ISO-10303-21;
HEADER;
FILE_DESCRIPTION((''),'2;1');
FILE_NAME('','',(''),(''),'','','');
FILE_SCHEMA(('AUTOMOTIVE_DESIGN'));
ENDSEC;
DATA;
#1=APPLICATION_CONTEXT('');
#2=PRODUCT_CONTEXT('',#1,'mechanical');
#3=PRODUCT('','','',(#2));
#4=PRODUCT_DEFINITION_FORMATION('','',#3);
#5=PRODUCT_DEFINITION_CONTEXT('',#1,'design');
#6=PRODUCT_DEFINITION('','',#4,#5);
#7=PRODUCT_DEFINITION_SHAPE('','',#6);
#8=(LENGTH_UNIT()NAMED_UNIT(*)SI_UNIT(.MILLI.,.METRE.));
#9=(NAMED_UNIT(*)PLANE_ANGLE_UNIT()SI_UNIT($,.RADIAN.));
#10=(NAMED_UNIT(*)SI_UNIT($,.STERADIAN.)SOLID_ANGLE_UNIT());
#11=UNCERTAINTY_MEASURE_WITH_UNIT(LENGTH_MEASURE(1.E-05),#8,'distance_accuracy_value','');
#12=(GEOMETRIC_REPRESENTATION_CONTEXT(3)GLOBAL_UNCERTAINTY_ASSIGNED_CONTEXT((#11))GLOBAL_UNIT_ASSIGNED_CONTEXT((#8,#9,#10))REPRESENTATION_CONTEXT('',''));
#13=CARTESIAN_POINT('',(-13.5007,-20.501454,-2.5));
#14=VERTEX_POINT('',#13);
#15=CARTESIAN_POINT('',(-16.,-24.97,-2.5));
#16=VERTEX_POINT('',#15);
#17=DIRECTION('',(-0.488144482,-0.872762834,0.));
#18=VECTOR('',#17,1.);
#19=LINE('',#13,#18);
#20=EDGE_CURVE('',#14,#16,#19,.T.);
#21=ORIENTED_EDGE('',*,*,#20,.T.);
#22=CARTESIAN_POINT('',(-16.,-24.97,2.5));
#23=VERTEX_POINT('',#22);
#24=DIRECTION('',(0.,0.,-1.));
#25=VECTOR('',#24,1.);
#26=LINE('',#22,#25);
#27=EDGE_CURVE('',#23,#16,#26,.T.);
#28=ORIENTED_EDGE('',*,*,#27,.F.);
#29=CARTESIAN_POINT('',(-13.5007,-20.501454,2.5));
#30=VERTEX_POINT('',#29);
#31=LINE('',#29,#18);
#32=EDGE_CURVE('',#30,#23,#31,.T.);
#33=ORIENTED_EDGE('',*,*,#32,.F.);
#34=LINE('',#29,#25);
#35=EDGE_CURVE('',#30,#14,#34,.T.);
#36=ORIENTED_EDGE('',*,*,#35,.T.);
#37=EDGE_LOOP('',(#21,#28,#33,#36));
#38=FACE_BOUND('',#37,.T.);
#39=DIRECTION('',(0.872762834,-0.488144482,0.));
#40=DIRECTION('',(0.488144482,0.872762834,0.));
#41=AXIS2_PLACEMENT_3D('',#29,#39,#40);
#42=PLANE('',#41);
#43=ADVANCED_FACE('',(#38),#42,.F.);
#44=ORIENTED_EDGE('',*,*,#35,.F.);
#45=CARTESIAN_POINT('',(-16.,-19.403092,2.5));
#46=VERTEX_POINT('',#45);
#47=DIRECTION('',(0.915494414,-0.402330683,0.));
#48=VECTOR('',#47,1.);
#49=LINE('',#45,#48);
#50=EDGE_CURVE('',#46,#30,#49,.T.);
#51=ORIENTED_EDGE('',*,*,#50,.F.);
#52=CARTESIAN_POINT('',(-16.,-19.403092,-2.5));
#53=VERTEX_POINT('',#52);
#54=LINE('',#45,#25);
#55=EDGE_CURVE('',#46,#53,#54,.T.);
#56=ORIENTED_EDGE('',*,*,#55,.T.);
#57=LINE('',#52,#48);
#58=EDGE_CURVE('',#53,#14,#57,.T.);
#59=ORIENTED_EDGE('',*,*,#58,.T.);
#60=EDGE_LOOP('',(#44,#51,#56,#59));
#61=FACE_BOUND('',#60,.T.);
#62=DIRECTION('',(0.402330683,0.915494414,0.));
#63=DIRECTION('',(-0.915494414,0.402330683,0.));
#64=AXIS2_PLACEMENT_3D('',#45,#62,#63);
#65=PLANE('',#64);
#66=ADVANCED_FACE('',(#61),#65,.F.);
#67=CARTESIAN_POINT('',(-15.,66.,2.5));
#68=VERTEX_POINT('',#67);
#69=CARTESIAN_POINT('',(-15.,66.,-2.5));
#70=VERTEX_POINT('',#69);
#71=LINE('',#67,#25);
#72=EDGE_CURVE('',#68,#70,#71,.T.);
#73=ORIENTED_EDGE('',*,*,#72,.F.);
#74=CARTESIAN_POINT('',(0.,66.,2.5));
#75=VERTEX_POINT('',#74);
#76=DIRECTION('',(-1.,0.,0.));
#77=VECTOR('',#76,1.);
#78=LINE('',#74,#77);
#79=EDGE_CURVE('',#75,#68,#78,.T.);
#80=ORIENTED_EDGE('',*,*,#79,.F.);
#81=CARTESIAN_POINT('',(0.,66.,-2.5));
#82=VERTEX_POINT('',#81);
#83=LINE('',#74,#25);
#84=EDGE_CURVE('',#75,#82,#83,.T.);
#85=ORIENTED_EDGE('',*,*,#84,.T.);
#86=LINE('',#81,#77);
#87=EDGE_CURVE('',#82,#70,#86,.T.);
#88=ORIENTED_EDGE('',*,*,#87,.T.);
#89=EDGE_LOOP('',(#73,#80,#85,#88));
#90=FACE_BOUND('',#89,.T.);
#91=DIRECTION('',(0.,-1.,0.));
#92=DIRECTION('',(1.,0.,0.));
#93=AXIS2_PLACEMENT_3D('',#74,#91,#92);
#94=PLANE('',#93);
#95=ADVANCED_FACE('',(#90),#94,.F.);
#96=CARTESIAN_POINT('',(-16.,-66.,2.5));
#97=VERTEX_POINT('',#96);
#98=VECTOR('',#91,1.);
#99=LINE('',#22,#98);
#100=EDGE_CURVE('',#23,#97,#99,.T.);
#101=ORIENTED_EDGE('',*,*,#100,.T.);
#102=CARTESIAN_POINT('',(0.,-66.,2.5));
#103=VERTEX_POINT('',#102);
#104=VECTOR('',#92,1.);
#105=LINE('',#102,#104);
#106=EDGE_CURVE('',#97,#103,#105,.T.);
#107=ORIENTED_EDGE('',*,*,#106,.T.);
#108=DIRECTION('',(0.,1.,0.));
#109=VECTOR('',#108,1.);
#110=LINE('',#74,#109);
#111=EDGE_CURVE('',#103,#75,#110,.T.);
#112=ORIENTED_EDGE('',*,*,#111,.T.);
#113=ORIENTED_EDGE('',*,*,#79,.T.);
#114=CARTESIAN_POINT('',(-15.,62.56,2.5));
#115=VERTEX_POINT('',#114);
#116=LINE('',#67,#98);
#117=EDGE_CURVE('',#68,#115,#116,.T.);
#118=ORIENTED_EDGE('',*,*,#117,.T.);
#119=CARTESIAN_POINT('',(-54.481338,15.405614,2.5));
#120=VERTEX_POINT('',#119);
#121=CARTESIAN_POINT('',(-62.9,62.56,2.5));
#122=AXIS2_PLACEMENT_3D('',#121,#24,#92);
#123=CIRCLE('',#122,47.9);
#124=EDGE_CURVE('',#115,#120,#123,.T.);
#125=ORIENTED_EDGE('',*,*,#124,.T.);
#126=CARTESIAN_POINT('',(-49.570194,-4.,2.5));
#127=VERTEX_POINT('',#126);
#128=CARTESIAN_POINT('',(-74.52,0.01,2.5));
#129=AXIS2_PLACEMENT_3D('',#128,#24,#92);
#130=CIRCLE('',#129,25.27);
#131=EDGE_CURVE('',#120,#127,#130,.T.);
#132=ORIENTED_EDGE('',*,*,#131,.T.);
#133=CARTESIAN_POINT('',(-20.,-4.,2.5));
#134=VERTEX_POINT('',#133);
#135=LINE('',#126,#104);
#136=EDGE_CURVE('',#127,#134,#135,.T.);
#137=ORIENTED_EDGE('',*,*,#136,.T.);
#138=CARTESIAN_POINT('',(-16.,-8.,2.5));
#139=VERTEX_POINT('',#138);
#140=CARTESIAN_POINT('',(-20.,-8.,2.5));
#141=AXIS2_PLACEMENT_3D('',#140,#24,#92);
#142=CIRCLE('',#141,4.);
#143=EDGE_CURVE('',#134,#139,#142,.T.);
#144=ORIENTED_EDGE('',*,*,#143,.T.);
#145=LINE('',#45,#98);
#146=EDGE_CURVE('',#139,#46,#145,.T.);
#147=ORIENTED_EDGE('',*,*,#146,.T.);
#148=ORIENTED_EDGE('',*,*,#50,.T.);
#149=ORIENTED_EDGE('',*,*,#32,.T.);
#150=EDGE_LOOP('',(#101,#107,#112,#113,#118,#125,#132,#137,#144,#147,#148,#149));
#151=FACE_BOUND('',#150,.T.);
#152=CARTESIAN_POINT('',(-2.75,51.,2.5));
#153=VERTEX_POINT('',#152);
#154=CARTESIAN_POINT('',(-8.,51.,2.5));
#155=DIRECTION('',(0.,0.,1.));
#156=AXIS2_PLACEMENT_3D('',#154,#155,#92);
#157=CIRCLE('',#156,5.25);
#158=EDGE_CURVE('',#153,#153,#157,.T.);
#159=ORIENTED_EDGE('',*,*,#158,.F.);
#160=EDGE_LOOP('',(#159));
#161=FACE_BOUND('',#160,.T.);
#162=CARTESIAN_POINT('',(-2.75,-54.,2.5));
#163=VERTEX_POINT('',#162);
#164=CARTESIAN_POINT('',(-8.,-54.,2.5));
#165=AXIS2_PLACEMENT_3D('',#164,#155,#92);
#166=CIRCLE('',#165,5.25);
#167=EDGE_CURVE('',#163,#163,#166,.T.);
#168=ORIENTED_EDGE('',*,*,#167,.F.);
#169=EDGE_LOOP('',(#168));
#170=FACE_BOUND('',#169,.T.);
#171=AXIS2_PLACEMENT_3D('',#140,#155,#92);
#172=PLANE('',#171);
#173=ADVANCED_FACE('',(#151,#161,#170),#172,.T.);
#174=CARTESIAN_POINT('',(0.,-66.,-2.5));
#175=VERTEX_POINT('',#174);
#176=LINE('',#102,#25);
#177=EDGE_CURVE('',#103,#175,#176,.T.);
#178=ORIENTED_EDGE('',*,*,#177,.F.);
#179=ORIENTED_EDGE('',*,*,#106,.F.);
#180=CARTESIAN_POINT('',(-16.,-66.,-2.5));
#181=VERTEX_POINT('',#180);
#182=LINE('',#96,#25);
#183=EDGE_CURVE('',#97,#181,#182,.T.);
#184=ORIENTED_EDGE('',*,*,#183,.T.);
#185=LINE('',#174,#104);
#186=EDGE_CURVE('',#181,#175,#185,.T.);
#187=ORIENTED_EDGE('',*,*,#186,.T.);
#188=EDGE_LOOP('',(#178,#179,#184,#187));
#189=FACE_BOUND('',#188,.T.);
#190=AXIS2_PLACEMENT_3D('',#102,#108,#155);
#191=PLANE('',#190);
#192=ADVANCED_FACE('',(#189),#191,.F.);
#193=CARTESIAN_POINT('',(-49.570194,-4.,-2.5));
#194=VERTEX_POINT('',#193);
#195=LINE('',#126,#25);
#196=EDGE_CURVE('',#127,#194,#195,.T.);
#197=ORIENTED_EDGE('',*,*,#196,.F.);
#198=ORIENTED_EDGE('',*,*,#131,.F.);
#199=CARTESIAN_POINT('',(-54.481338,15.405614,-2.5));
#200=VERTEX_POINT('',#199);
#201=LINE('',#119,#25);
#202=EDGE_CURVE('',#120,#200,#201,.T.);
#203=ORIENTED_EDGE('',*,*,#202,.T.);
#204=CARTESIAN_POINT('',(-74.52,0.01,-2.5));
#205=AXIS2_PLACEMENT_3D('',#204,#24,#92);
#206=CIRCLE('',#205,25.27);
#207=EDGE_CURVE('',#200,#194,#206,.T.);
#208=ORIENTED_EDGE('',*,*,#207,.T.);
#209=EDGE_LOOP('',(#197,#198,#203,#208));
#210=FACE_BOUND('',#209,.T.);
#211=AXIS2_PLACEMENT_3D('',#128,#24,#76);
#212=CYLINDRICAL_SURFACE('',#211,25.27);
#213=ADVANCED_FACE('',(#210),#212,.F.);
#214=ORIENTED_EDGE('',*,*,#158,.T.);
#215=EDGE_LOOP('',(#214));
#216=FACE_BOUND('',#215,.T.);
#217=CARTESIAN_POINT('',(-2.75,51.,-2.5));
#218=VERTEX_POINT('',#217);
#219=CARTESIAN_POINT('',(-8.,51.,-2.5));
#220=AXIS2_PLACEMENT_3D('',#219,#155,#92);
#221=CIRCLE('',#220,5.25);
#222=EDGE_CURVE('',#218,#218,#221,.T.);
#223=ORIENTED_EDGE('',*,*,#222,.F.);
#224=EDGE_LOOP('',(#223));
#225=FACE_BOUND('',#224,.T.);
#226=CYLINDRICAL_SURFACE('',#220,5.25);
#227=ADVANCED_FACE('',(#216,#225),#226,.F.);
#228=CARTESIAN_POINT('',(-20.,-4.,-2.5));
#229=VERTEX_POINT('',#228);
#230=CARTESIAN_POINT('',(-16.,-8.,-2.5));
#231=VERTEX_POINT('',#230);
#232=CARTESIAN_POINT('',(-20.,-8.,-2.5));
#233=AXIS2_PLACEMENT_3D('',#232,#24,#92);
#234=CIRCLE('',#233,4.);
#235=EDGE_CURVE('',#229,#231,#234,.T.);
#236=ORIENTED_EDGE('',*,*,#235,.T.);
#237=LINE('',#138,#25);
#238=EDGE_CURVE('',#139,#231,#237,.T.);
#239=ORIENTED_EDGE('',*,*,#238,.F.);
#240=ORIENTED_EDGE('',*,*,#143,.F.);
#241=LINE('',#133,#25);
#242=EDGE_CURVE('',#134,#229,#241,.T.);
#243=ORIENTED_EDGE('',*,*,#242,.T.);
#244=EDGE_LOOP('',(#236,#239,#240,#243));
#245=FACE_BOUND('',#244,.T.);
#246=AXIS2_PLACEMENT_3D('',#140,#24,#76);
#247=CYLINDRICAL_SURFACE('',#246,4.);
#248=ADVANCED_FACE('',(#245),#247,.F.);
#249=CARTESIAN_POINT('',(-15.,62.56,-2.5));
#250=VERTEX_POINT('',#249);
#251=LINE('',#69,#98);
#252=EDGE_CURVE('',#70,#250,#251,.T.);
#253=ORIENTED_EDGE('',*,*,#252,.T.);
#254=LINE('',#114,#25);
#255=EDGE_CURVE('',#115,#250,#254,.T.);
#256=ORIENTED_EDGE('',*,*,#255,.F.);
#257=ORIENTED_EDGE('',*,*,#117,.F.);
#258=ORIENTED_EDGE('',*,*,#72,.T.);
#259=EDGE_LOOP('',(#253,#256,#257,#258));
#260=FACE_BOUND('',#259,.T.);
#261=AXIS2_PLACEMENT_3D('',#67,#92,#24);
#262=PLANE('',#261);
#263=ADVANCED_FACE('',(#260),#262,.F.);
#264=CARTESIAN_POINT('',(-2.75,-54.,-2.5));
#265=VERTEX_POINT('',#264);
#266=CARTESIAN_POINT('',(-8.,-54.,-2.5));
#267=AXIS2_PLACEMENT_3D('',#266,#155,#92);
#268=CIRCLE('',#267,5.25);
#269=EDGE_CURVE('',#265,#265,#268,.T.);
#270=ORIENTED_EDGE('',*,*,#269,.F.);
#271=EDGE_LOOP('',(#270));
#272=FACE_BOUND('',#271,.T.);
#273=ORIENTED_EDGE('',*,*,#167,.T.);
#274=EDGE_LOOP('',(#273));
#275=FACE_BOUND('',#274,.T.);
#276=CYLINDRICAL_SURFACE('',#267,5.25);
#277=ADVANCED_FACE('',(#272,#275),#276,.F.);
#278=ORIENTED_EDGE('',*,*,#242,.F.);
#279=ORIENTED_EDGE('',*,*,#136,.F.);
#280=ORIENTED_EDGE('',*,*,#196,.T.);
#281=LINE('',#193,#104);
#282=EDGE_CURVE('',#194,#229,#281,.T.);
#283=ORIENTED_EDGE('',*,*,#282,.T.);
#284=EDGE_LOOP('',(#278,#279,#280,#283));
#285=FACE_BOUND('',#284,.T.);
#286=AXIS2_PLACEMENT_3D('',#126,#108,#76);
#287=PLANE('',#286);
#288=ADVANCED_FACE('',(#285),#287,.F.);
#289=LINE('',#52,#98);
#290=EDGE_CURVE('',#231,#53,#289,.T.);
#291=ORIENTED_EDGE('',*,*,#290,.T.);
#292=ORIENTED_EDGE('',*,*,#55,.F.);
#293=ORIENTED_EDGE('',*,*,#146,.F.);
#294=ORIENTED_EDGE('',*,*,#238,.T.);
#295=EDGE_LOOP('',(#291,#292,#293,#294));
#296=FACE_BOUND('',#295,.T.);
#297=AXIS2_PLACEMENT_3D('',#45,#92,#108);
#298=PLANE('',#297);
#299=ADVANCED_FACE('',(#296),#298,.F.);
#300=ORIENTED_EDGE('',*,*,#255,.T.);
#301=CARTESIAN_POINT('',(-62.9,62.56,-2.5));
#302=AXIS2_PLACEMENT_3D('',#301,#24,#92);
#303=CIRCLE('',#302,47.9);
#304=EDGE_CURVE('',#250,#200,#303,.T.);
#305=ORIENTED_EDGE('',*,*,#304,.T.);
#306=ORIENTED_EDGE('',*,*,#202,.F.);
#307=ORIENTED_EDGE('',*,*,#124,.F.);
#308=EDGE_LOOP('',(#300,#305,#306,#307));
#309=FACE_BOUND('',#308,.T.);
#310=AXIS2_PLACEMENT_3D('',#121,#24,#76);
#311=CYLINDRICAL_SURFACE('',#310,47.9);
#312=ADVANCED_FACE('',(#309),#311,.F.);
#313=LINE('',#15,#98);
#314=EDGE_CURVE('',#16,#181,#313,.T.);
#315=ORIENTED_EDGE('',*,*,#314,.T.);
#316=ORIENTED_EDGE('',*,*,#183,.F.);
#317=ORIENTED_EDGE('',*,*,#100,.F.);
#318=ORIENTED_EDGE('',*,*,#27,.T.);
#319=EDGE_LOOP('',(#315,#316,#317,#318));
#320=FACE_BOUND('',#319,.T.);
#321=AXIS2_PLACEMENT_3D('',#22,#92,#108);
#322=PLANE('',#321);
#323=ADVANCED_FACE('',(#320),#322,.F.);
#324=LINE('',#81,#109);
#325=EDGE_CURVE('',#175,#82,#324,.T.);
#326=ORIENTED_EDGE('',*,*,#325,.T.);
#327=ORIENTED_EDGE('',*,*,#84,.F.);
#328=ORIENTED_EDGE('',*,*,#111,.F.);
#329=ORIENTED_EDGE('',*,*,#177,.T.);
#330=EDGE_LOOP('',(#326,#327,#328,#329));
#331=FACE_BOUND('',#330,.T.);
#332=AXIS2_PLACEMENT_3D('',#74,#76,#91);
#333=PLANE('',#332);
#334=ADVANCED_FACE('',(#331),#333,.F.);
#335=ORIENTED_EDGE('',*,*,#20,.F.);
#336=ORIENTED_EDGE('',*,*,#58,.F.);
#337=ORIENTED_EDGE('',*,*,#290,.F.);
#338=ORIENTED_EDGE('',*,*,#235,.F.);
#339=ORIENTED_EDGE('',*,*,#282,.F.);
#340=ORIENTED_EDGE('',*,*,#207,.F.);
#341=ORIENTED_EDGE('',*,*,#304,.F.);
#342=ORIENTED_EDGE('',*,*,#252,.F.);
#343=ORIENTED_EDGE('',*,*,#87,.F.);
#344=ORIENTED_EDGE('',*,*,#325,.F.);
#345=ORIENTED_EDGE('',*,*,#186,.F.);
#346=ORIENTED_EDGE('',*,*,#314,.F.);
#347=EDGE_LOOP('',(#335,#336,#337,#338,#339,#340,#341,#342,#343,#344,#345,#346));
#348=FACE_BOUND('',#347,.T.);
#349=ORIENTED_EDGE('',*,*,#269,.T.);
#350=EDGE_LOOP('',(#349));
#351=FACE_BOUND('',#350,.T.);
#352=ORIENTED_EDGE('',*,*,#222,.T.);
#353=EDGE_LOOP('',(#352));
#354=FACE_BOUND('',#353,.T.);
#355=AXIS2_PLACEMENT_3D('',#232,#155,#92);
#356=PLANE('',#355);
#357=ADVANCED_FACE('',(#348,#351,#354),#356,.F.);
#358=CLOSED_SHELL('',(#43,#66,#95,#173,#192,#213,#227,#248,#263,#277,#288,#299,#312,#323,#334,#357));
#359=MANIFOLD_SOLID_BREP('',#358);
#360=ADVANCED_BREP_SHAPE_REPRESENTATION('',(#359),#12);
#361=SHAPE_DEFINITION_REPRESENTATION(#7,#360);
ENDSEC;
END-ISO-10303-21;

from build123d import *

# Parameters (mm, degrees)
BOSS_EXTRUDE1_DEPTH = 2.5
SKETCH2_R           = 5.25
CUT_EXTRUDE1_DEPTH  = 86.727569626


with BuildPart() as part:
    # Sketch1 → Boss-Extrude1 (new, symmetric)
    with BuildSketch(Plane.XY):
        with BuildLine():
            Line((-49.57019439, -4), (-20, -4))
            ThreePointArc((-20, -4), (-17.171572875, -5.171572875), (-16, -8))
            Line((-16, -8), (-16, -19.403091525))
            Line((-16, -19.403091525), (-13.500700251, -20.50145429))
            Line((-13.500700251, -20.50145429), (-16, -24.97))
            Line((-16, -24.97), (-16, -66))
            Line((-16, -66), (0, -66))
            Line((0, -66), (0, 66))
            Line((0, 66), (-15, 66))
            Line((-15, 66), (-15, 62.56))
            ThreePointArc((-15, 62.56), (-26.17355239, 31.809747222), (-54.481338034, 15.405613876))
            ThreePointArc((-54.481338034, 15.405613876), (-50.022346721, 6.209829337), (-49.57019439, -4))
        make_face()
    extrude(amount=BOSS_EXTRUDE1_DEPTH, both=True)

    # Sketch2 → Cut-Extrude1 (cut, through all)
    with BuildSketch(Plane.XY.offset(2.5)):
        with Locations((-8, 51)):
            Circle(SKETCH2_R)
        with Locations((-8, -54)):
            Circle(SKETCH2_R)
    extrude(amount=-CUT_EXTRUDE1_DEPTH, mode=Mode.SUBTRACT)


solid = part.part
